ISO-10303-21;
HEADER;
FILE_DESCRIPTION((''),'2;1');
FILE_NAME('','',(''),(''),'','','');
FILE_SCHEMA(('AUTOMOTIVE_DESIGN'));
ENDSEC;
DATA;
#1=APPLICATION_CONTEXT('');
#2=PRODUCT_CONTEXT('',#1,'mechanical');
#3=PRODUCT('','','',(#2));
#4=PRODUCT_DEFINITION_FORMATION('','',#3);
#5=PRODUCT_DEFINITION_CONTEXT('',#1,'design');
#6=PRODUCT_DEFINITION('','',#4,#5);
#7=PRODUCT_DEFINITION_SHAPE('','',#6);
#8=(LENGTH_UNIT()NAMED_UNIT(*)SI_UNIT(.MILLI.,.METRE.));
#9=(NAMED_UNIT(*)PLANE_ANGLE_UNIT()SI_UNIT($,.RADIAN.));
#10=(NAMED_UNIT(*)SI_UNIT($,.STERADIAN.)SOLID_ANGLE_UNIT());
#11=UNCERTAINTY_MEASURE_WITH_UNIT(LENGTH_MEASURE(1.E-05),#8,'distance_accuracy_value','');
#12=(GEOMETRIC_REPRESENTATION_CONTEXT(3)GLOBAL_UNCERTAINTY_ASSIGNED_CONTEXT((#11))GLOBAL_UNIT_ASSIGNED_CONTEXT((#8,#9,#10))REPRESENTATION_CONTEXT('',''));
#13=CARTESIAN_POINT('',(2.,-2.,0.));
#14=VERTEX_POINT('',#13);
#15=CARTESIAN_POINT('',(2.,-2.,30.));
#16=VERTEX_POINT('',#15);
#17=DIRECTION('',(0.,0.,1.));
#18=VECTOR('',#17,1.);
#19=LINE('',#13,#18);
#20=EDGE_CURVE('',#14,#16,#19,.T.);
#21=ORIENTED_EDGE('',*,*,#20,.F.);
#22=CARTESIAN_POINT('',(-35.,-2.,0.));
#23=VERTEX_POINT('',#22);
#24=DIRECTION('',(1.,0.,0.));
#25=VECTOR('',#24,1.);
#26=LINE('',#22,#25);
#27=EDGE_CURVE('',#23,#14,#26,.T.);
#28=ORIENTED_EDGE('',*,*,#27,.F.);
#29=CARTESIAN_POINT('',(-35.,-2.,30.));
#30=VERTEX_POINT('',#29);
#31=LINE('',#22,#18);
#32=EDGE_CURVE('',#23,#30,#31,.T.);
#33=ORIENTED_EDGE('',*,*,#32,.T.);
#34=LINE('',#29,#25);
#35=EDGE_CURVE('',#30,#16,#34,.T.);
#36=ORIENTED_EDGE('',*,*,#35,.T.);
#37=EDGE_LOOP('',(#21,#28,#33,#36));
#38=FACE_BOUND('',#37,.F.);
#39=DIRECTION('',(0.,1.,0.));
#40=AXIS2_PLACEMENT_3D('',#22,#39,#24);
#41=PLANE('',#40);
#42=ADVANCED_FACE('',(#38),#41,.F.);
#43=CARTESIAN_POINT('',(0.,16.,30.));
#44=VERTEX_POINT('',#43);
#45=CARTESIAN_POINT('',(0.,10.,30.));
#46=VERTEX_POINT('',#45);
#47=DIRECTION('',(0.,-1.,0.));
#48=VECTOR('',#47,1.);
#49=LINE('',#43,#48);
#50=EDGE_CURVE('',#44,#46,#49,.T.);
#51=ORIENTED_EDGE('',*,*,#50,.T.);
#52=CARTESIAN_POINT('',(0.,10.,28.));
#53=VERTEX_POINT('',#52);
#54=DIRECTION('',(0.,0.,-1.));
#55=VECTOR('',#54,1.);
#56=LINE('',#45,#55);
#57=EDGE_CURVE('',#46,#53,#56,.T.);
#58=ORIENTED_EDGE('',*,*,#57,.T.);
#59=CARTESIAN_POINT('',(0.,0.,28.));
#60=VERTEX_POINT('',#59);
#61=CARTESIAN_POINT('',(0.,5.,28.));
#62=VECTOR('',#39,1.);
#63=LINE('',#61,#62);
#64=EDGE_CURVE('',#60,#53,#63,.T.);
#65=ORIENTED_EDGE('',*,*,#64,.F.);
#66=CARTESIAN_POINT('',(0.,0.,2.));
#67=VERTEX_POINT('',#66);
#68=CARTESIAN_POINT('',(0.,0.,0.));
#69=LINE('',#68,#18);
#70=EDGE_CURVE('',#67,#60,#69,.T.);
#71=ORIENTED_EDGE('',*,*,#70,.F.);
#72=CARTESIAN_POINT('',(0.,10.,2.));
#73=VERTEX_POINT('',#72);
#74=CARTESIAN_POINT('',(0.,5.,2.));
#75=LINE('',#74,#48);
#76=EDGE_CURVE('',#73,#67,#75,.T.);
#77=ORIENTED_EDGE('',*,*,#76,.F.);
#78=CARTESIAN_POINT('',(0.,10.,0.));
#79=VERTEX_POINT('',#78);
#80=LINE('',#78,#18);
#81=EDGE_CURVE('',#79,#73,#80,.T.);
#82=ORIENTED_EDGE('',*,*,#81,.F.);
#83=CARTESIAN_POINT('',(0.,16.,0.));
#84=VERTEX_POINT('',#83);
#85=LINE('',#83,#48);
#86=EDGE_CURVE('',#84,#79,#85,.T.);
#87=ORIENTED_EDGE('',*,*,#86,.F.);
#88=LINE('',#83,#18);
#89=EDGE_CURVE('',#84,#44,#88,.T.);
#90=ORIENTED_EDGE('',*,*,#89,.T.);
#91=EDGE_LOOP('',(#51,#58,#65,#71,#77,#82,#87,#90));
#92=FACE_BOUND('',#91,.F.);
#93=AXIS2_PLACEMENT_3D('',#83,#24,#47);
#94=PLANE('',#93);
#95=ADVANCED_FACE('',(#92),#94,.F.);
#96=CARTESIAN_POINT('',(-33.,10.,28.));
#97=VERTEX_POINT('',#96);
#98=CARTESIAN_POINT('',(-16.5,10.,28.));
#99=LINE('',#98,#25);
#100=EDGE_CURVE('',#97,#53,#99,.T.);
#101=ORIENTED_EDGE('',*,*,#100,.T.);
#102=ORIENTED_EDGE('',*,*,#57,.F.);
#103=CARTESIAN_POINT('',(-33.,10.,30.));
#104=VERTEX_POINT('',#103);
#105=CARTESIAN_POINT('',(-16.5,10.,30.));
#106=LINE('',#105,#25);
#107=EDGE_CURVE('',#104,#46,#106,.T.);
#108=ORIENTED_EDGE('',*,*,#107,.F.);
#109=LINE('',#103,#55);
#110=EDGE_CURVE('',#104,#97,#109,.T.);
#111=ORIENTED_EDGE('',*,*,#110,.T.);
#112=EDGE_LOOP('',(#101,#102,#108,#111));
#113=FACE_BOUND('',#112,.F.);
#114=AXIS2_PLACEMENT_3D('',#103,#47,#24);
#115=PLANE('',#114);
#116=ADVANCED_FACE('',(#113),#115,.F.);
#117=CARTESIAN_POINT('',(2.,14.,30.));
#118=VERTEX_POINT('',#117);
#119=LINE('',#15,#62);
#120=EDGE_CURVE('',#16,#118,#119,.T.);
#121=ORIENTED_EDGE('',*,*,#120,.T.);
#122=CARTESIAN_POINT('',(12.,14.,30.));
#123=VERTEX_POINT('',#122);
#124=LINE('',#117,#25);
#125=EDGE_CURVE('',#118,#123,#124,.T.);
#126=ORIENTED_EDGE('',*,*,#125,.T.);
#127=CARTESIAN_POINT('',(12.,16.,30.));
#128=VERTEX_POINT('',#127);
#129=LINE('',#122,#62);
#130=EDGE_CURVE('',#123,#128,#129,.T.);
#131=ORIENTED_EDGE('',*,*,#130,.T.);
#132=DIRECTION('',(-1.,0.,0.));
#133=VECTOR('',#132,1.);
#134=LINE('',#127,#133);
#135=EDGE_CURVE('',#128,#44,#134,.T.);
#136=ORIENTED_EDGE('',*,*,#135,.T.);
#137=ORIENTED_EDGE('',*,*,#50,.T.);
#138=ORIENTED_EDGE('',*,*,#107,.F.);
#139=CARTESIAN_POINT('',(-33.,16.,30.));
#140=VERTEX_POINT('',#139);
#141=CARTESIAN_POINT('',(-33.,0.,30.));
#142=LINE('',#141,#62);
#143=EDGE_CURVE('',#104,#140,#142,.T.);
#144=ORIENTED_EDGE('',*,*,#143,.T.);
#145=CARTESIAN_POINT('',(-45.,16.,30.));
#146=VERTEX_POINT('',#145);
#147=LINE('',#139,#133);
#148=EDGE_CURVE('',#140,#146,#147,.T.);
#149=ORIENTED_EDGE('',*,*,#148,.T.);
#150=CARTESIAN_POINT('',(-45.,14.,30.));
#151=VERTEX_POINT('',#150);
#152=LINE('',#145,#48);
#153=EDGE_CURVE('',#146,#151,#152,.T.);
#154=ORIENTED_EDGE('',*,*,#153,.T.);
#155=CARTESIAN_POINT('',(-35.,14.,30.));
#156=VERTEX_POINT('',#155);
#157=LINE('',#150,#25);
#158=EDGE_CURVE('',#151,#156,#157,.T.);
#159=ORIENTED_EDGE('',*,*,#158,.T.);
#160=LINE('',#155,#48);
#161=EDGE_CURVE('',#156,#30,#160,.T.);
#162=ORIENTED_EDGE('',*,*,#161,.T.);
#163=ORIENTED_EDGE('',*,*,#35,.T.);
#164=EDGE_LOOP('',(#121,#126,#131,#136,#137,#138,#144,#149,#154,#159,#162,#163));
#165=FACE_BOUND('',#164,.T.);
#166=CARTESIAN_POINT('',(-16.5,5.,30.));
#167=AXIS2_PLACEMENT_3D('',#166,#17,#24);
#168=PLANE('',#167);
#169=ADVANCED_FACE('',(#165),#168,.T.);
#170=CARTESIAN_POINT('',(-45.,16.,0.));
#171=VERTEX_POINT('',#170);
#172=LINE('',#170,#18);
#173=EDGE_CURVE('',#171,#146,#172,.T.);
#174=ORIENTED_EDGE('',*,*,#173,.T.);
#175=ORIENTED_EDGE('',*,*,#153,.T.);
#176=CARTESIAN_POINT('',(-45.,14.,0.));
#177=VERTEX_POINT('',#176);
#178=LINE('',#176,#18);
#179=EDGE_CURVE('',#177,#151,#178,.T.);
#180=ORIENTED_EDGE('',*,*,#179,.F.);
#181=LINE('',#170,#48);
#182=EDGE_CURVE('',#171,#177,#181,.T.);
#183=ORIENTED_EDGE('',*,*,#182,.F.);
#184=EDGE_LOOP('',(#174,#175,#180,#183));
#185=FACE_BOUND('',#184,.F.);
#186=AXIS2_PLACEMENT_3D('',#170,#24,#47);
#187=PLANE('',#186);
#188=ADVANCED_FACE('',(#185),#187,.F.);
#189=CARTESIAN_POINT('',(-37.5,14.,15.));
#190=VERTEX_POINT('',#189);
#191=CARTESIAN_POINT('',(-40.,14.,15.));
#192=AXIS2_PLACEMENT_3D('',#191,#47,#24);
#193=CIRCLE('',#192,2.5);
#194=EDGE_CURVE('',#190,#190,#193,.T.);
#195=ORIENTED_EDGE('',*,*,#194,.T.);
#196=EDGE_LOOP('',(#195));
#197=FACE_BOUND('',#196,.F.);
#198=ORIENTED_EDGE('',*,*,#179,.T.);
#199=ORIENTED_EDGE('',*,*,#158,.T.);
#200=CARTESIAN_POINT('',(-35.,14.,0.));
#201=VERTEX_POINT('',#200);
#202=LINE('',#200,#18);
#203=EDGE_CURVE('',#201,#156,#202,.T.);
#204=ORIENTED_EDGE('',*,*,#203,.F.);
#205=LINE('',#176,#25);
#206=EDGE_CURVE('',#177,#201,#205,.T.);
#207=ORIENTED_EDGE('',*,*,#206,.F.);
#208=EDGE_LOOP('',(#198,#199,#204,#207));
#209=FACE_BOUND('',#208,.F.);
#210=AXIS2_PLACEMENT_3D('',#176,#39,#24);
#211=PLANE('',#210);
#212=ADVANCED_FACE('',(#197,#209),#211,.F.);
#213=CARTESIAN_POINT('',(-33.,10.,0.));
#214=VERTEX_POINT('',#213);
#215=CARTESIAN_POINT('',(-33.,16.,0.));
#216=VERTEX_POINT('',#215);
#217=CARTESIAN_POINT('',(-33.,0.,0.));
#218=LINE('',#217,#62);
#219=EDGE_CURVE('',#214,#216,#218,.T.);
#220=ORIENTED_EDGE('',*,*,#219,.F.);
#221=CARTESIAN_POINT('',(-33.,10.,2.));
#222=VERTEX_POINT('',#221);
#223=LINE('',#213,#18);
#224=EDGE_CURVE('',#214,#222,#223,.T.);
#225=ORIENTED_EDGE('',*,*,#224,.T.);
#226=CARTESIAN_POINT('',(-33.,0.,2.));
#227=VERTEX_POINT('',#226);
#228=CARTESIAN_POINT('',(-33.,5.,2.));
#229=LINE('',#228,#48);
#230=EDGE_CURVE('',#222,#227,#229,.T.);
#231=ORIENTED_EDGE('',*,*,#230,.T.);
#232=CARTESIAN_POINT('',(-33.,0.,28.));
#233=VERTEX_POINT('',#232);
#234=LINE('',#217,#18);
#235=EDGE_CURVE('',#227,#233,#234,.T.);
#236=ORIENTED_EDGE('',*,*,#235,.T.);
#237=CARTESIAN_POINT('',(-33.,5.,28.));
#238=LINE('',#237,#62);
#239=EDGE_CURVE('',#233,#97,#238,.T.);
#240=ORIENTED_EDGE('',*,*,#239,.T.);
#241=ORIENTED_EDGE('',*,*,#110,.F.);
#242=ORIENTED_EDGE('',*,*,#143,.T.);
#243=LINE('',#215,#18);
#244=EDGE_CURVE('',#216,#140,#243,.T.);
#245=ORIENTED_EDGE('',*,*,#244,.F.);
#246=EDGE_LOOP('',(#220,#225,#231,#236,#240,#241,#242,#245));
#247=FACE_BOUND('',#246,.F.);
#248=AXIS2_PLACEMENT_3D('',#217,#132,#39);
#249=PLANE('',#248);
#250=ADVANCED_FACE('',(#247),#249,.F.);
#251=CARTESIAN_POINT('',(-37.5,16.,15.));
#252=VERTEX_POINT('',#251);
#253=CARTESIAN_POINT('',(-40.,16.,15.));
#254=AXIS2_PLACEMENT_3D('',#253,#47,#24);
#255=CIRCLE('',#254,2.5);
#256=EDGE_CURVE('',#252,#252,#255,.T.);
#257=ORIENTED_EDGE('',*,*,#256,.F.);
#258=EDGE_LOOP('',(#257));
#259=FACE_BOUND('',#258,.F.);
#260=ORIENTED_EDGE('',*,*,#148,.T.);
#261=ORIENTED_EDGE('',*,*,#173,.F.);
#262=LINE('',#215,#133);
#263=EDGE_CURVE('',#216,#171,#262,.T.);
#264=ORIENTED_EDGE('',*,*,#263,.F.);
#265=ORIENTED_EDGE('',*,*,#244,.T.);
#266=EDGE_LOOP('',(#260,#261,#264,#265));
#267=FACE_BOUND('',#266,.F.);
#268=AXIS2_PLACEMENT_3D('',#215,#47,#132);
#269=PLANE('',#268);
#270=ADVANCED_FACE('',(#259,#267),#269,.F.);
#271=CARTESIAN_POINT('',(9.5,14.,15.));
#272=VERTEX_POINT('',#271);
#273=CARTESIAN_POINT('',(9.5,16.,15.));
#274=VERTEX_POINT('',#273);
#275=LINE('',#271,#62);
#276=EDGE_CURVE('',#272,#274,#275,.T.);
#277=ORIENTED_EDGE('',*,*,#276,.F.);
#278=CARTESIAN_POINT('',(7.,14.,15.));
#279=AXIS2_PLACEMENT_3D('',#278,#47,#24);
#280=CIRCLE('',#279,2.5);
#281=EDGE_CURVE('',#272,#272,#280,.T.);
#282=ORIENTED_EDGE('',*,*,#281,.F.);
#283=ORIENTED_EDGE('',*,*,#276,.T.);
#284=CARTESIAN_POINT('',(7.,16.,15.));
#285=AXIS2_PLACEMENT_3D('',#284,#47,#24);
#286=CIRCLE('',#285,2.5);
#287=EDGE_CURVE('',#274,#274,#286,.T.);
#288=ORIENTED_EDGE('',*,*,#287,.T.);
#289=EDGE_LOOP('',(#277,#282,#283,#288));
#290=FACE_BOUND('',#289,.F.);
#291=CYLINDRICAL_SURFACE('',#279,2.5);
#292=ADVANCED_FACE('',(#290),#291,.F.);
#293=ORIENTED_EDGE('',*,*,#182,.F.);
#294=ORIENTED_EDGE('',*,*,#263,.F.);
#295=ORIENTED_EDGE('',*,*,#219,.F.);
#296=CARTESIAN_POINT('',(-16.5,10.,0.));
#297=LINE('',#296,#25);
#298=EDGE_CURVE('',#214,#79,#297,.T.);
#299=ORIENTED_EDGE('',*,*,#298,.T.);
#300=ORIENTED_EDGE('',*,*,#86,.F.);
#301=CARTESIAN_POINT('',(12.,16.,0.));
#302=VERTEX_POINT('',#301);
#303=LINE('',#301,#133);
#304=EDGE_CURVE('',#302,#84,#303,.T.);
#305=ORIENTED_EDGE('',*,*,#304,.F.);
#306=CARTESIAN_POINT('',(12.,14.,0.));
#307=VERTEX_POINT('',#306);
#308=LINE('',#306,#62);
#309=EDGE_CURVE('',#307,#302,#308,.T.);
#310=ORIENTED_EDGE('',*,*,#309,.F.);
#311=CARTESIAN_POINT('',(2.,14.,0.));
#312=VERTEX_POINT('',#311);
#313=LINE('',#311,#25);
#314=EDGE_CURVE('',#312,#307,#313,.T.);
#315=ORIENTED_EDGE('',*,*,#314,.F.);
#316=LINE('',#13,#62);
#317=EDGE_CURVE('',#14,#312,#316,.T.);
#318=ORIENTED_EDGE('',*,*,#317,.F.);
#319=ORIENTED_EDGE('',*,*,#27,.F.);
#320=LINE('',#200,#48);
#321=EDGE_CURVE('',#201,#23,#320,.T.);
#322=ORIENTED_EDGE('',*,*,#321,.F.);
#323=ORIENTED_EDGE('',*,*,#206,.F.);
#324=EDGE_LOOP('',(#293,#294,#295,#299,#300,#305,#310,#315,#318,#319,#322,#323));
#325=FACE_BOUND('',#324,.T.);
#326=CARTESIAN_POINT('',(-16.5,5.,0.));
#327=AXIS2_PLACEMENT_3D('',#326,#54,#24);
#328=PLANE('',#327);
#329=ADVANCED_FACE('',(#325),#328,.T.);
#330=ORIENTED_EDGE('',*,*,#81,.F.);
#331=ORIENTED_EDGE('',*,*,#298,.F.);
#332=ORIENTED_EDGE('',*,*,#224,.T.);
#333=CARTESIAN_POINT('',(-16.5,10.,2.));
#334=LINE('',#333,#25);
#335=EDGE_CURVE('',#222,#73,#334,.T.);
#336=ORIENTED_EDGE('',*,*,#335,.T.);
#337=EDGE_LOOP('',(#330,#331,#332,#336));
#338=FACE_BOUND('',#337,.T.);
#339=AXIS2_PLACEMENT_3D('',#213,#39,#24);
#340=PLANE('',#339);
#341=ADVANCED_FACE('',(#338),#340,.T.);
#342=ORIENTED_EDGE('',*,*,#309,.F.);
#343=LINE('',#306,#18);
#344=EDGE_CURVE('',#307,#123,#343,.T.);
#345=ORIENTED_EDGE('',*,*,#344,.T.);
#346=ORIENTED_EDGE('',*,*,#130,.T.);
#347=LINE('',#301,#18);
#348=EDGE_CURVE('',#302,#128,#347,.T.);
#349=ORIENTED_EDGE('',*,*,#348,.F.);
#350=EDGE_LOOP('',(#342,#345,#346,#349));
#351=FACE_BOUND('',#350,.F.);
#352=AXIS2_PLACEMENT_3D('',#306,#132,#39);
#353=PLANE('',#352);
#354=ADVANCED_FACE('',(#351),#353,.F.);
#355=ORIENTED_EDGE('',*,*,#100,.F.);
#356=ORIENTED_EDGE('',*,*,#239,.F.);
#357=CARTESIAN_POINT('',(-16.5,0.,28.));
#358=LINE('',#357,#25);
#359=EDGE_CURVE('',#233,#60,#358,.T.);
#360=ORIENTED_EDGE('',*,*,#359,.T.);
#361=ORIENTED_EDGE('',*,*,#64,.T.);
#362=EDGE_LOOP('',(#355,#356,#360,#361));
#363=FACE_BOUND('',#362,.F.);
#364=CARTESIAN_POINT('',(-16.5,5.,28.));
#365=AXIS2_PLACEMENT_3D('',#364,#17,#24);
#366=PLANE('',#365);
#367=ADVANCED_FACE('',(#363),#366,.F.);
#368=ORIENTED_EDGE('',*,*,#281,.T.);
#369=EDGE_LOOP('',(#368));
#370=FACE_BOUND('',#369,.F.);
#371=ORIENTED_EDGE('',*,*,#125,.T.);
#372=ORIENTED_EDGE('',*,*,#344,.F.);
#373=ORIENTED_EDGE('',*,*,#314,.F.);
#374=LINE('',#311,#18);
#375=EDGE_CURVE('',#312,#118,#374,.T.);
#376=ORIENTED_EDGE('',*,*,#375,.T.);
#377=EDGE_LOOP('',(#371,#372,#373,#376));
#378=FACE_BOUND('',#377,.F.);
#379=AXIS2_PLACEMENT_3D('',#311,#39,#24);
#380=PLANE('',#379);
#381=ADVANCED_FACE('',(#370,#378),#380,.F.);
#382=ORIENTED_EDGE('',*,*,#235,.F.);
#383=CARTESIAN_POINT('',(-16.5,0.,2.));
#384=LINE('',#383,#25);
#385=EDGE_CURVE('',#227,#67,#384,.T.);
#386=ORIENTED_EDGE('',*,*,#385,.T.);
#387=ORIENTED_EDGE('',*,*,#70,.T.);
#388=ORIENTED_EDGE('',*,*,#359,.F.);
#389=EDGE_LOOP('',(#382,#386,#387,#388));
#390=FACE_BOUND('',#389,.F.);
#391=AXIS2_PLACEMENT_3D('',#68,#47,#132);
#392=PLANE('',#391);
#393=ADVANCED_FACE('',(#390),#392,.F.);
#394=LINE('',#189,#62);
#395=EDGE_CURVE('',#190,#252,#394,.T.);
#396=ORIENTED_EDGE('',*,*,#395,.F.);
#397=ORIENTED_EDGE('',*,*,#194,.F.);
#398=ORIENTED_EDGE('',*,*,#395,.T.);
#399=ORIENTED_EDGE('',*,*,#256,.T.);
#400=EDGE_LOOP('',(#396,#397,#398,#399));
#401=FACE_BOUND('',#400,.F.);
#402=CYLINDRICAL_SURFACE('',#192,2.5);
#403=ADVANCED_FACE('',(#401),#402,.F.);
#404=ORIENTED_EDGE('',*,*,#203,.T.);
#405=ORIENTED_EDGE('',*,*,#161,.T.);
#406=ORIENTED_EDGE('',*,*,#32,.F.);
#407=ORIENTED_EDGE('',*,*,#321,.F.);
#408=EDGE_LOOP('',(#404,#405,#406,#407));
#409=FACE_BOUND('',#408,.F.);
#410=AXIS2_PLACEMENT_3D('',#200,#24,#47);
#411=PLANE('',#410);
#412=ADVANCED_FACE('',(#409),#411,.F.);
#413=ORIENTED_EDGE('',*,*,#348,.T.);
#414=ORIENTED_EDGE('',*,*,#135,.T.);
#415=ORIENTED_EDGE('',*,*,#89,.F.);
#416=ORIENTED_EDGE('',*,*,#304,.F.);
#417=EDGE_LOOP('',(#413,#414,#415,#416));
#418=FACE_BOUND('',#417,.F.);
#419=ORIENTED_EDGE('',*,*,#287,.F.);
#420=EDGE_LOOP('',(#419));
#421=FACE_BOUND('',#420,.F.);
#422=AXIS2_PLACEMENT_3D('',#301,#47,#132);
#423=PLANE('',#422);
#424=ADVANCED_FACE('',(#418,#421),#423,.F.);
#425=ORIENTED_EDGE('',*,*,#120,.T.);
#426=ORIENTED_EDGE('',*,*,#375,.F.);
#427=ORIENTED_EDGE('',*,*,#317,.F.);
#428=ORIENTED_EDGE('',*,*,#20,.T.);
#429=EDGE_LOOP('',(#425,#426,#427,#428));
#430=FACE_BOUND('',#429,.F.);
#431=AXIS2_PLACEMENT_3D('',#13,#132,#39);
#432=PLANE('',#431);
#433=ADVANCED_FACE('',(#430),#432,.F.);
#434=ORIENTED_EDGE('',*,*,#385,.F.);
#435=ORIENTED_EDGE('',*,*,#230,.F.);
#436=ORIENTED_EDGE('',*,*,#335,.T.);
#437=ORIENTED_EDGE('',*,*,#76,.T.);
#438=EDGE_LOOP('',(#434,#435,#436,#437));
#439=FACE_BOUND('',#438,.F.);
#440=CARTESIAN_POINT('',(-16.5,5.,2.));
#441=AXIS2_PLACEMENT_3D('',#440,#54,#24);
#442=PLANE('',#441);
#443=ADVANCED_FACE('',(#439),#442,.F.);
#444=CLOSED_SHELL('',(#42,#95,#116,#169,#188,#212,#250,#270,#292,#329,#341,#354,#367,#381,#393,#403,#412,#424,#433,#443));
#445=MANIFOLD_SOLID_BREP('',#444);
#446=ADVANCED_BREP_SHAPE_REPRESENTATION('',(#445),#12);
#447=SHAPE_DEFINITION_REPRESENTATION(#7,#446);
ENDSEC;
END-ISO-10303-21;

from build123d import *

# Parameters (mm, degrees)
F1_DEPTH = 30
F2_R     = 2.5
F3_DEPTH = 25
F4_R     = 2.5
F5_DEPTH = 25
F6_W     = 33
F6_H     = 10
F7_DEPTH = 2
F8_W     = 33
F8_H     = 10
F9_DEPTH = 2


with BuildPart() as f1:
    # F0 (on Top) → F1 (new body)
    with BuildSketch(Plane.XY):
        Polygon((0, 16), (0, 0), (-33, 0), (-33, 16), (-45, 16), (-45, 14), (-35, 14), (-35, -2), (2, -2), (2, 14), (12, 14), (12, 16), align=None)
    extrude(amount=F1_DEPTH)

    # F2 (on face) → F3 (cut)
    with BuildSketch(Plane.XZ.offset(-14)):
        with Locations((-40, 15)):
            Circle(F2_R)
    extrude(amount=-F3_DEPTH, mode=Mode.SUBTRACT)

    # F4 (on face) → F5 (cut)
    with BuildSketch(Plane.XZ.offset(-14)):
        with Locations((7, 15)):
            Circle(F4_R)
    extrude(amount=-F5_DEPTH, mode=Mode.SUBTRACT)

    # F6 (on face) → F7 (join)
    with BuildSketch(Plane(origin=(0, 0, 0), x_dir=(1, 0, 0), z_dir=(0, 0, -1))):
        with Locations((-16.5, -5)):
            Rectangle(F6_W, F6_H)
    extrude(amount=-F7_DEPTH)

    # F8 (on face) → F9 (join)
    with BuildSketch(Plane.XY.offset(30)):
        with Locations((-16.5, 5)):
            Rectangle(F8_W, F8_H)
    extrude(amount=-F9_DEPTH)


solid = f1.part
